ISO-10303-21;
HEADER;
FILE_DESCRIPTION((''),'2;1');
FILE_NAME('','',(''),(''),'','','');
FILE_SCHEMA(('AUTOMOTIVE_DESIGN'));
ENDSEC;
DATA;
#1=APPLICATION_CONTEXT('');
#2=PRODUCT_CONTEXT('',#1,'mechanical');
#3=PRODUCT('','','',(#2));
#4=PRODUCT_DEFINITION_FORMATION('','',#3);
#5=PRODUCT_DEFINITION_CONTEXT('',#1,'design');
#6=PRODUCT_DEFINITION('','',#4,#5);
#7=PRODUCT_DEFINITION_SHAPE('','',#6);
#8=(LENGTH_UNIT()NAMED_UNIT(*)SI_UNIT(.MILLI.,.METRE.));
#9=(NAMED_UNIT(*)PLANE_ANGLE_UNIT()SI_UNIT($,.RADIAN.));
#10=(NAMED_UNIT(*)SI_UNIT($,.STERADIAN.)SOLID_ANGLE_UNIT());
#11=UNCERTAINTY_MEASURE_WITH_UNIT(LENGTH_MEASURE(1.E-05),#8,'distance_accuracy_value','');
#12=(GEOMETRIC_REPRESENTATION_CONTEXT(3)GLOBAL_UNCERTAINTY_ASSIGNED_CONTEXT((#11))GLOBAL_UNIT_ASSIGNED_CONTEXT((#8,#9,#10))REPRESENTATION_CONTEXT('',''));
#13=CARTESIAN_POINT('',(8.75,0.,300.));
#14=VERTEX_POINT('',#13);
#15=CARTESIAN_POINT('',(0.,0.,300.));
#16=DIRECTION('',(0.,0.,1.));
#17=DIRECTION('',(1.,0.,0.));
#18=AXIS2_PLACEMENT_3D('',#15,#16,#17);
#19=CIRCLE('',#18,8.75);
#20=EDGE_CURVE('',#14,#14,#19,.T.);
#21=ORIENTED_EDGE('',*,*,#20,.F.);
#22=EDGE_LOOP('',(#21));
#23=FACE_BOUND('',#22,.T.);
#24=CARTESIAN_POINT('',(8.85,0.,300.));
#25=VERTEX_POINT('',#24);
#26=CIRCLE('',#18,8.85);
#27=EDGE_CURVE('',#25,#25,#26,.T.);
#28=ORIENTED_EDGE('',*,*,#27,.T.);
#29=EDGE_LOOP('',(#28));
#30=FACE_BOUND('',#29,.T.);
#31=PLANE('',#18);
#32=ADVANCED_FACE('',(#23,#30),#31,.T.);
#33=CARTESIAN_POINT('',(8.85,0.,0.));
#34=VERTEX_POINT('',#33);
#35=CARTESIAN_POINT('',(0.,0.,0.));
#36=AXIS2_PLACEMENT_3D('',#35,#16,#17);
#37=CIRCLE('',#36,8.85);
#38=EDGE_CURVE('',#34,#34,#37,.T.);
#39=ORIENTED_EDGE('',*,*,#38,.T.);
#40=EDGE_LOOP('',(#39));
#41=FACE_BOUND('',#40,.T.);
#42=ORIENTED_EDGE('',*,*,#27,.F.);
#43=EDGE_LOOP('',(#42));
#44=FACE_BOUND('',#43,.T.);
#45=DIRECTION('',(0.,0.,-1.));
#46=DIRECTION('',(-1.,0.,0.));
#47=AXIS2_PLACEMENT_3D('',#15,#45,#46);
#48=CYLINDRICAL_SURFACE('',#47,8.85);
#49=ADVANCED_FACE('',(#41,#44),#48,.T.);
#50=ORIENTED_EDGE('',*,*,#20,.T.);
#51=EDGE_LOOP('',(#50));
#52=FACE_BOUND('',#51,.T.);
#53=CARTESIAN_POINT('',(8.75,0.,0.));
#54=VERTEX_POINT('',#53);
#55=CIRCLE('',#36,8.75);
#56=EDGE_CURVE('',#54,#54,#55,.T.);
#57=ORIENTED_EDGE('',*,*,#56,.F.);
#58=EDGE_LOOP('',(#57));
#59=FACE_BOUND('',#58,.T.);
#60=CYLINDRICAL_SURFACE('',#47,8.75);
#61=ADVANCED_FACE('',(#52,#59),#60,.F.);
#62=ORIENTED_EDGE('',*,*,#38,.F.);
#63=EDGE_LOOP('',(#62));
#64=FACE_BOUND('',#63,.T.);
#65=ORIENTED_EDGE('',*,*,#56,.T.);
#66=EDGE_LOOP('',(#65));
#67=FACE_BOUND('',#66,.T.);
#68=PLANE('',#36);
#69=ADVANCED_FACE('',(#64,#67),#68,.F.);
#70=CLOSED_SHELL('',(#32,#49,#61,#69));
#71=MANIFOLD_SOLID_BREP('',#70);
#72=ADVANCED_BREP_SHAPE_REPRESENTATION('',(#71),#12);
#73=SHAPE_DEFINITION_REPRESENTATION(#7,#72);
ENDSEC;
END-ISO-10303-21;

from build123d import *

# Parameters (mm, degrees)
SKETCH_1_R      = 8.85
SKETCH_1_R_2    = 8.75
EXTRUDE_1_DEPTH = 300


with BuildPart() as part:
    # 草图1 → 凸台-拉伸1 (new body)
    with BuildSketch(Plane.XY):
        Circle(SKETCH_1_R)
        Circle(SKETCH_1_R_2, mode=Mode.SUBTRACT)
    extrude(amount=EXTRUDE_1_DEPTH)


solid = part.part
